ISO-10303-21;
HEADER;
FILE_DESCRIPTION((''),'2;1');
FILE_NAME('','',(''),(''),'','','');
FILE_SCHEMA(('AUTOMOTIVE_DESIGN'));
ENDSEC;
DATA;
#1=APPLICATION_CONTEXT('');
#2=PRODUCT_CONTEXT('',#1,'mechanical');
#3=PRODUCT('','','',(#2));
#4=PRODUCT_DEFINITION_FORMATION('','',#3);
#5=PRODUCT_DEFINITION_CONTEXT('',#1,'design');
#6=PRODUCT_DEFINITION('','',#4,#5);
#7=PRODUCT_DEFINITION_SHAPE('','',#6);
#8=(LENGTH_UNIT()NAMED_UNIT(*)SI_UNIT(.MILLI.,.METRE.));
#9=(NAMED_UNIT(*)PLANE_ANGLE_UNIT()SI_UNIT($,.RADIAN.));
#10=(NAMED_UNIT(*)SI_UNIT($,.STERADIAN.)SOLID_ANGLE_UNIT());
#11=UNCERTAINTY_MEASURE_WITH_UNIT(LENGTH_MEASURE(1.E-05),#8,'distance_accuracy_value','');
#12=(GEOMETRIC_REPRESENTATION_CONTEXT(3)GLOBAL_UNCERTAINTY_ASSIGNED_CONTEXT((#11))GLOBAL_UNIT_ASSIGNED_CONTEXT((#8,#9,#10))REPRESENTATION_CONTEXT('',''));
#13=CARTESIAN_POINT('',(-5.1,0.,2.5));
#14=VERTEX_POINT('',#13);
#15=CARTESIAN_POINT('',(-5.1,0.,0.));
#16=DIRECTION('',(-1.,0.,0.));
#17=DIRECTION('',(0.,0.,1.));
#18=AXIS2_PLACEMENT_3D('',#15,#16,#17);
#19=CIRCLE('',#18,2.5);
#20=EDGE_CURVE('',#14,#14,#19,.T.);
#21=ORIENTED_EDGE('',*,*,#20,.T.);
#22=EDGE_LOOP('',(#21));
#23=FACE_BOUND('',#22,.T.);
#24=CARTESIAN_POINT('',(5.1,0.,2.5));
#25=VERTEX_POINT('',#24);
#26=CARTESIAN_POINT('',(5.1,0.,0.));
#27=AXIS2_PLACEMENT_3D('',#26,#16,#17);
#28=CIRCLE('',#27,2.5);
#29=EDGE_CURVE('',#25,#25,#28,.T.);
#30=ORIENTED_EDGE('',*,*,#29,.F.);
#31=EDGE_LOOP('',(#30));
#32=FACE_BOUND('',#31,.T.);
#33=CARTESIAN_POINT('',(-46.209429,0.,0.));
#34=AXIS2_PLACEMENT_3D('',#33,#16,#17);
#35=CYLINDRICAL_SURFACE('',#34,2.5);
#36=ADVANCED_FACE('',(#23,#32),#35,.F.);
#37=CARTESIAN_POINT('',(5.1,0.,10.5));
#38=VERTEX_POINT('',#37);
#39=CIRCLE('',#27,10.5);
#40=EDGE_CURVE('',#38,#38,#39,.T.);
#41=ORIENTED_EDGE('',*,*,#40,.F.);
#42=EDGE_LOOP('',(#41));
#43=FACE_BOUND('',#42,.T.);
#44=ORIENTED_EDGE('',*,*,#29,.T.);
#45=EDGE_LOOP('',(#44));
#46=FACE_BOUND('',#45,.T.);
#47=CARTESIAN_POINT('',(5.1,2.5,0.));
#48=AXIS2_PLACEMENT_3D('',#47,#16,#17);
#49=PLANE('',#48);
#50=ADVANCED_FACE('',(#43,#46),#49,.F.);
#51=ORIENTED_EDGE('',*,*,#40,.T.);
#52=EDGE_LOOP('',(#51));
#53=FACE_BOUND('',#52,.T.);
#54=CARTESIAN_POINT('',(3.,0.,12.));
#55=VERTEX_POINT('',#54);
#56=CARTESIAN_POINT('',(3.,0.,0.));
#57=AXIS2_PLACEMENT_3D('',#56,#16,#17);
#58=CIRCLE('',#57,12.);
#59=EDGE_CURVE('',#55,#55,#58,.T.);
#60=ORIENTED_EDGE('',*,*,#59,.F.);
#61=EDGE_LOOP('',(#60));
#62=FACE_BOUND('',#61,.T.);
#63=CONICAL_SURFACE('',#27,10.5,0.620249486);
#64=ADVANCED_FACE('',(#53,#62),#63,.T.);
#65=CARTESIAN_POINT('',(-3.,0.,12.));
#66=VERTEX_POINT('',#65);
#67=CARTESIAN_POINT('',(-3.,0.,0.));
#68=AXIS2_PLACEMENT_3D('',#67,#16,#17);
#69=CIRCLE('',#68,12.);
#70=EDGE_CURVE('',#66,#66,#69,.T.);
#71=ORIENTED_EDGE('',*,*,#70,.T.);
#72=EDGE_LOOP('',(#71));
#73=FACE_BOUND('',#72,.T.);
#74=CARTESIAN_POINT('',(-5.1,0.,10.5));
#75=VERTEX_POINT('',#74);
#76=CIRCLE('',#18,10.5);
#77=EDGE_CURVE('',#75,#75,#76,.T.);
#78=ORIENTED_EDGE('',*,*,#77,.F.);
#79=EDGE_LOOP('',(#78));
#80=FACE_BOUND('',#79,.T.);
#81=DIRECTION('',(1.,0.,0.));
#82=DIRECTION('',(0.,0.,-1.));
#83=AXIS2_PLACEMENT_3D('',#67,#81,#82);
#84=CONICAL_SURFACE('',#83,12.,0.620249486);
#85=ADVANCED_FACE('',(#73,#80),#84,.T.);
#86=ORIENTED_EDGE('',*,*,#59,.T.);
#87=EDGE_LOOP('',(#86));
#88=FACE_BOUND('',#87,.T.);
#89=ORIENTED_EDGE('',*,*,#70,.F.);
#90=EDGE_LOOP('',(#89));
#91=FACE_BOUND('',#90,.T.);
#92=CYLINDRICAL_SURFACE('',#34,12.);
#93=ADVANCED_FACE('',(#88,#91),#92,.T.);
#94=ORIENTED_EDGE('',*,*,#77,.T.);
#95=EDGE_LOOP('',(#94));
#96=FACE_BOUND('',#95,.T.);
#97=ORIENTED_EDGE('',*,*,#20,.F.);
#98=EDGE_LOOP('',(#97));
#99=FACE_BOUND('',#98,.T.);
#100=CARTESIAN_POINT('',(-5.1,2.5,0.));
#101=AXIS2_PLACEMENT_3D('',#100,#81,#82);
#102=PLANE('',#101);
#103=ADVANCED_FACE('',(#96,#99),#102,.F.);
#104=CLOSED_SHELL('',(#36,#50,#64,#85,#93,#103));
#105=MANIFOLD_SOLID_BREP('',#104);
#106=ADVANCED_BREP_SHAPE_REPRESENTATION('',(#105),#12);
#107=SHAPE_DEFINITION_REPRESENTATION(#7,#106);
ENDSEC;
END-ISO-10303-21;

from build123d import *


with BuildPart() as part:
    # Croquis1 → Revolución1 (revolve)
    with BuildSketch(Plane.XY, mode=Mode.PRIVATE) as revoluci_n1_sk:
        Polygon((5.1, 2.5), (-5.1, 2.5), (-5.1, 10.5), (-3, 12), (3, 12), (5.1, 10.5), align=None)
    revolve(revoluci_n1_sk.sketch.rotate(Axis((-46.209429442, 0, 0), (1, 0, 0)), 90), axis=Axis((-46.209429442, 0, 0), (1, 0, 0)))


solid = part.part
